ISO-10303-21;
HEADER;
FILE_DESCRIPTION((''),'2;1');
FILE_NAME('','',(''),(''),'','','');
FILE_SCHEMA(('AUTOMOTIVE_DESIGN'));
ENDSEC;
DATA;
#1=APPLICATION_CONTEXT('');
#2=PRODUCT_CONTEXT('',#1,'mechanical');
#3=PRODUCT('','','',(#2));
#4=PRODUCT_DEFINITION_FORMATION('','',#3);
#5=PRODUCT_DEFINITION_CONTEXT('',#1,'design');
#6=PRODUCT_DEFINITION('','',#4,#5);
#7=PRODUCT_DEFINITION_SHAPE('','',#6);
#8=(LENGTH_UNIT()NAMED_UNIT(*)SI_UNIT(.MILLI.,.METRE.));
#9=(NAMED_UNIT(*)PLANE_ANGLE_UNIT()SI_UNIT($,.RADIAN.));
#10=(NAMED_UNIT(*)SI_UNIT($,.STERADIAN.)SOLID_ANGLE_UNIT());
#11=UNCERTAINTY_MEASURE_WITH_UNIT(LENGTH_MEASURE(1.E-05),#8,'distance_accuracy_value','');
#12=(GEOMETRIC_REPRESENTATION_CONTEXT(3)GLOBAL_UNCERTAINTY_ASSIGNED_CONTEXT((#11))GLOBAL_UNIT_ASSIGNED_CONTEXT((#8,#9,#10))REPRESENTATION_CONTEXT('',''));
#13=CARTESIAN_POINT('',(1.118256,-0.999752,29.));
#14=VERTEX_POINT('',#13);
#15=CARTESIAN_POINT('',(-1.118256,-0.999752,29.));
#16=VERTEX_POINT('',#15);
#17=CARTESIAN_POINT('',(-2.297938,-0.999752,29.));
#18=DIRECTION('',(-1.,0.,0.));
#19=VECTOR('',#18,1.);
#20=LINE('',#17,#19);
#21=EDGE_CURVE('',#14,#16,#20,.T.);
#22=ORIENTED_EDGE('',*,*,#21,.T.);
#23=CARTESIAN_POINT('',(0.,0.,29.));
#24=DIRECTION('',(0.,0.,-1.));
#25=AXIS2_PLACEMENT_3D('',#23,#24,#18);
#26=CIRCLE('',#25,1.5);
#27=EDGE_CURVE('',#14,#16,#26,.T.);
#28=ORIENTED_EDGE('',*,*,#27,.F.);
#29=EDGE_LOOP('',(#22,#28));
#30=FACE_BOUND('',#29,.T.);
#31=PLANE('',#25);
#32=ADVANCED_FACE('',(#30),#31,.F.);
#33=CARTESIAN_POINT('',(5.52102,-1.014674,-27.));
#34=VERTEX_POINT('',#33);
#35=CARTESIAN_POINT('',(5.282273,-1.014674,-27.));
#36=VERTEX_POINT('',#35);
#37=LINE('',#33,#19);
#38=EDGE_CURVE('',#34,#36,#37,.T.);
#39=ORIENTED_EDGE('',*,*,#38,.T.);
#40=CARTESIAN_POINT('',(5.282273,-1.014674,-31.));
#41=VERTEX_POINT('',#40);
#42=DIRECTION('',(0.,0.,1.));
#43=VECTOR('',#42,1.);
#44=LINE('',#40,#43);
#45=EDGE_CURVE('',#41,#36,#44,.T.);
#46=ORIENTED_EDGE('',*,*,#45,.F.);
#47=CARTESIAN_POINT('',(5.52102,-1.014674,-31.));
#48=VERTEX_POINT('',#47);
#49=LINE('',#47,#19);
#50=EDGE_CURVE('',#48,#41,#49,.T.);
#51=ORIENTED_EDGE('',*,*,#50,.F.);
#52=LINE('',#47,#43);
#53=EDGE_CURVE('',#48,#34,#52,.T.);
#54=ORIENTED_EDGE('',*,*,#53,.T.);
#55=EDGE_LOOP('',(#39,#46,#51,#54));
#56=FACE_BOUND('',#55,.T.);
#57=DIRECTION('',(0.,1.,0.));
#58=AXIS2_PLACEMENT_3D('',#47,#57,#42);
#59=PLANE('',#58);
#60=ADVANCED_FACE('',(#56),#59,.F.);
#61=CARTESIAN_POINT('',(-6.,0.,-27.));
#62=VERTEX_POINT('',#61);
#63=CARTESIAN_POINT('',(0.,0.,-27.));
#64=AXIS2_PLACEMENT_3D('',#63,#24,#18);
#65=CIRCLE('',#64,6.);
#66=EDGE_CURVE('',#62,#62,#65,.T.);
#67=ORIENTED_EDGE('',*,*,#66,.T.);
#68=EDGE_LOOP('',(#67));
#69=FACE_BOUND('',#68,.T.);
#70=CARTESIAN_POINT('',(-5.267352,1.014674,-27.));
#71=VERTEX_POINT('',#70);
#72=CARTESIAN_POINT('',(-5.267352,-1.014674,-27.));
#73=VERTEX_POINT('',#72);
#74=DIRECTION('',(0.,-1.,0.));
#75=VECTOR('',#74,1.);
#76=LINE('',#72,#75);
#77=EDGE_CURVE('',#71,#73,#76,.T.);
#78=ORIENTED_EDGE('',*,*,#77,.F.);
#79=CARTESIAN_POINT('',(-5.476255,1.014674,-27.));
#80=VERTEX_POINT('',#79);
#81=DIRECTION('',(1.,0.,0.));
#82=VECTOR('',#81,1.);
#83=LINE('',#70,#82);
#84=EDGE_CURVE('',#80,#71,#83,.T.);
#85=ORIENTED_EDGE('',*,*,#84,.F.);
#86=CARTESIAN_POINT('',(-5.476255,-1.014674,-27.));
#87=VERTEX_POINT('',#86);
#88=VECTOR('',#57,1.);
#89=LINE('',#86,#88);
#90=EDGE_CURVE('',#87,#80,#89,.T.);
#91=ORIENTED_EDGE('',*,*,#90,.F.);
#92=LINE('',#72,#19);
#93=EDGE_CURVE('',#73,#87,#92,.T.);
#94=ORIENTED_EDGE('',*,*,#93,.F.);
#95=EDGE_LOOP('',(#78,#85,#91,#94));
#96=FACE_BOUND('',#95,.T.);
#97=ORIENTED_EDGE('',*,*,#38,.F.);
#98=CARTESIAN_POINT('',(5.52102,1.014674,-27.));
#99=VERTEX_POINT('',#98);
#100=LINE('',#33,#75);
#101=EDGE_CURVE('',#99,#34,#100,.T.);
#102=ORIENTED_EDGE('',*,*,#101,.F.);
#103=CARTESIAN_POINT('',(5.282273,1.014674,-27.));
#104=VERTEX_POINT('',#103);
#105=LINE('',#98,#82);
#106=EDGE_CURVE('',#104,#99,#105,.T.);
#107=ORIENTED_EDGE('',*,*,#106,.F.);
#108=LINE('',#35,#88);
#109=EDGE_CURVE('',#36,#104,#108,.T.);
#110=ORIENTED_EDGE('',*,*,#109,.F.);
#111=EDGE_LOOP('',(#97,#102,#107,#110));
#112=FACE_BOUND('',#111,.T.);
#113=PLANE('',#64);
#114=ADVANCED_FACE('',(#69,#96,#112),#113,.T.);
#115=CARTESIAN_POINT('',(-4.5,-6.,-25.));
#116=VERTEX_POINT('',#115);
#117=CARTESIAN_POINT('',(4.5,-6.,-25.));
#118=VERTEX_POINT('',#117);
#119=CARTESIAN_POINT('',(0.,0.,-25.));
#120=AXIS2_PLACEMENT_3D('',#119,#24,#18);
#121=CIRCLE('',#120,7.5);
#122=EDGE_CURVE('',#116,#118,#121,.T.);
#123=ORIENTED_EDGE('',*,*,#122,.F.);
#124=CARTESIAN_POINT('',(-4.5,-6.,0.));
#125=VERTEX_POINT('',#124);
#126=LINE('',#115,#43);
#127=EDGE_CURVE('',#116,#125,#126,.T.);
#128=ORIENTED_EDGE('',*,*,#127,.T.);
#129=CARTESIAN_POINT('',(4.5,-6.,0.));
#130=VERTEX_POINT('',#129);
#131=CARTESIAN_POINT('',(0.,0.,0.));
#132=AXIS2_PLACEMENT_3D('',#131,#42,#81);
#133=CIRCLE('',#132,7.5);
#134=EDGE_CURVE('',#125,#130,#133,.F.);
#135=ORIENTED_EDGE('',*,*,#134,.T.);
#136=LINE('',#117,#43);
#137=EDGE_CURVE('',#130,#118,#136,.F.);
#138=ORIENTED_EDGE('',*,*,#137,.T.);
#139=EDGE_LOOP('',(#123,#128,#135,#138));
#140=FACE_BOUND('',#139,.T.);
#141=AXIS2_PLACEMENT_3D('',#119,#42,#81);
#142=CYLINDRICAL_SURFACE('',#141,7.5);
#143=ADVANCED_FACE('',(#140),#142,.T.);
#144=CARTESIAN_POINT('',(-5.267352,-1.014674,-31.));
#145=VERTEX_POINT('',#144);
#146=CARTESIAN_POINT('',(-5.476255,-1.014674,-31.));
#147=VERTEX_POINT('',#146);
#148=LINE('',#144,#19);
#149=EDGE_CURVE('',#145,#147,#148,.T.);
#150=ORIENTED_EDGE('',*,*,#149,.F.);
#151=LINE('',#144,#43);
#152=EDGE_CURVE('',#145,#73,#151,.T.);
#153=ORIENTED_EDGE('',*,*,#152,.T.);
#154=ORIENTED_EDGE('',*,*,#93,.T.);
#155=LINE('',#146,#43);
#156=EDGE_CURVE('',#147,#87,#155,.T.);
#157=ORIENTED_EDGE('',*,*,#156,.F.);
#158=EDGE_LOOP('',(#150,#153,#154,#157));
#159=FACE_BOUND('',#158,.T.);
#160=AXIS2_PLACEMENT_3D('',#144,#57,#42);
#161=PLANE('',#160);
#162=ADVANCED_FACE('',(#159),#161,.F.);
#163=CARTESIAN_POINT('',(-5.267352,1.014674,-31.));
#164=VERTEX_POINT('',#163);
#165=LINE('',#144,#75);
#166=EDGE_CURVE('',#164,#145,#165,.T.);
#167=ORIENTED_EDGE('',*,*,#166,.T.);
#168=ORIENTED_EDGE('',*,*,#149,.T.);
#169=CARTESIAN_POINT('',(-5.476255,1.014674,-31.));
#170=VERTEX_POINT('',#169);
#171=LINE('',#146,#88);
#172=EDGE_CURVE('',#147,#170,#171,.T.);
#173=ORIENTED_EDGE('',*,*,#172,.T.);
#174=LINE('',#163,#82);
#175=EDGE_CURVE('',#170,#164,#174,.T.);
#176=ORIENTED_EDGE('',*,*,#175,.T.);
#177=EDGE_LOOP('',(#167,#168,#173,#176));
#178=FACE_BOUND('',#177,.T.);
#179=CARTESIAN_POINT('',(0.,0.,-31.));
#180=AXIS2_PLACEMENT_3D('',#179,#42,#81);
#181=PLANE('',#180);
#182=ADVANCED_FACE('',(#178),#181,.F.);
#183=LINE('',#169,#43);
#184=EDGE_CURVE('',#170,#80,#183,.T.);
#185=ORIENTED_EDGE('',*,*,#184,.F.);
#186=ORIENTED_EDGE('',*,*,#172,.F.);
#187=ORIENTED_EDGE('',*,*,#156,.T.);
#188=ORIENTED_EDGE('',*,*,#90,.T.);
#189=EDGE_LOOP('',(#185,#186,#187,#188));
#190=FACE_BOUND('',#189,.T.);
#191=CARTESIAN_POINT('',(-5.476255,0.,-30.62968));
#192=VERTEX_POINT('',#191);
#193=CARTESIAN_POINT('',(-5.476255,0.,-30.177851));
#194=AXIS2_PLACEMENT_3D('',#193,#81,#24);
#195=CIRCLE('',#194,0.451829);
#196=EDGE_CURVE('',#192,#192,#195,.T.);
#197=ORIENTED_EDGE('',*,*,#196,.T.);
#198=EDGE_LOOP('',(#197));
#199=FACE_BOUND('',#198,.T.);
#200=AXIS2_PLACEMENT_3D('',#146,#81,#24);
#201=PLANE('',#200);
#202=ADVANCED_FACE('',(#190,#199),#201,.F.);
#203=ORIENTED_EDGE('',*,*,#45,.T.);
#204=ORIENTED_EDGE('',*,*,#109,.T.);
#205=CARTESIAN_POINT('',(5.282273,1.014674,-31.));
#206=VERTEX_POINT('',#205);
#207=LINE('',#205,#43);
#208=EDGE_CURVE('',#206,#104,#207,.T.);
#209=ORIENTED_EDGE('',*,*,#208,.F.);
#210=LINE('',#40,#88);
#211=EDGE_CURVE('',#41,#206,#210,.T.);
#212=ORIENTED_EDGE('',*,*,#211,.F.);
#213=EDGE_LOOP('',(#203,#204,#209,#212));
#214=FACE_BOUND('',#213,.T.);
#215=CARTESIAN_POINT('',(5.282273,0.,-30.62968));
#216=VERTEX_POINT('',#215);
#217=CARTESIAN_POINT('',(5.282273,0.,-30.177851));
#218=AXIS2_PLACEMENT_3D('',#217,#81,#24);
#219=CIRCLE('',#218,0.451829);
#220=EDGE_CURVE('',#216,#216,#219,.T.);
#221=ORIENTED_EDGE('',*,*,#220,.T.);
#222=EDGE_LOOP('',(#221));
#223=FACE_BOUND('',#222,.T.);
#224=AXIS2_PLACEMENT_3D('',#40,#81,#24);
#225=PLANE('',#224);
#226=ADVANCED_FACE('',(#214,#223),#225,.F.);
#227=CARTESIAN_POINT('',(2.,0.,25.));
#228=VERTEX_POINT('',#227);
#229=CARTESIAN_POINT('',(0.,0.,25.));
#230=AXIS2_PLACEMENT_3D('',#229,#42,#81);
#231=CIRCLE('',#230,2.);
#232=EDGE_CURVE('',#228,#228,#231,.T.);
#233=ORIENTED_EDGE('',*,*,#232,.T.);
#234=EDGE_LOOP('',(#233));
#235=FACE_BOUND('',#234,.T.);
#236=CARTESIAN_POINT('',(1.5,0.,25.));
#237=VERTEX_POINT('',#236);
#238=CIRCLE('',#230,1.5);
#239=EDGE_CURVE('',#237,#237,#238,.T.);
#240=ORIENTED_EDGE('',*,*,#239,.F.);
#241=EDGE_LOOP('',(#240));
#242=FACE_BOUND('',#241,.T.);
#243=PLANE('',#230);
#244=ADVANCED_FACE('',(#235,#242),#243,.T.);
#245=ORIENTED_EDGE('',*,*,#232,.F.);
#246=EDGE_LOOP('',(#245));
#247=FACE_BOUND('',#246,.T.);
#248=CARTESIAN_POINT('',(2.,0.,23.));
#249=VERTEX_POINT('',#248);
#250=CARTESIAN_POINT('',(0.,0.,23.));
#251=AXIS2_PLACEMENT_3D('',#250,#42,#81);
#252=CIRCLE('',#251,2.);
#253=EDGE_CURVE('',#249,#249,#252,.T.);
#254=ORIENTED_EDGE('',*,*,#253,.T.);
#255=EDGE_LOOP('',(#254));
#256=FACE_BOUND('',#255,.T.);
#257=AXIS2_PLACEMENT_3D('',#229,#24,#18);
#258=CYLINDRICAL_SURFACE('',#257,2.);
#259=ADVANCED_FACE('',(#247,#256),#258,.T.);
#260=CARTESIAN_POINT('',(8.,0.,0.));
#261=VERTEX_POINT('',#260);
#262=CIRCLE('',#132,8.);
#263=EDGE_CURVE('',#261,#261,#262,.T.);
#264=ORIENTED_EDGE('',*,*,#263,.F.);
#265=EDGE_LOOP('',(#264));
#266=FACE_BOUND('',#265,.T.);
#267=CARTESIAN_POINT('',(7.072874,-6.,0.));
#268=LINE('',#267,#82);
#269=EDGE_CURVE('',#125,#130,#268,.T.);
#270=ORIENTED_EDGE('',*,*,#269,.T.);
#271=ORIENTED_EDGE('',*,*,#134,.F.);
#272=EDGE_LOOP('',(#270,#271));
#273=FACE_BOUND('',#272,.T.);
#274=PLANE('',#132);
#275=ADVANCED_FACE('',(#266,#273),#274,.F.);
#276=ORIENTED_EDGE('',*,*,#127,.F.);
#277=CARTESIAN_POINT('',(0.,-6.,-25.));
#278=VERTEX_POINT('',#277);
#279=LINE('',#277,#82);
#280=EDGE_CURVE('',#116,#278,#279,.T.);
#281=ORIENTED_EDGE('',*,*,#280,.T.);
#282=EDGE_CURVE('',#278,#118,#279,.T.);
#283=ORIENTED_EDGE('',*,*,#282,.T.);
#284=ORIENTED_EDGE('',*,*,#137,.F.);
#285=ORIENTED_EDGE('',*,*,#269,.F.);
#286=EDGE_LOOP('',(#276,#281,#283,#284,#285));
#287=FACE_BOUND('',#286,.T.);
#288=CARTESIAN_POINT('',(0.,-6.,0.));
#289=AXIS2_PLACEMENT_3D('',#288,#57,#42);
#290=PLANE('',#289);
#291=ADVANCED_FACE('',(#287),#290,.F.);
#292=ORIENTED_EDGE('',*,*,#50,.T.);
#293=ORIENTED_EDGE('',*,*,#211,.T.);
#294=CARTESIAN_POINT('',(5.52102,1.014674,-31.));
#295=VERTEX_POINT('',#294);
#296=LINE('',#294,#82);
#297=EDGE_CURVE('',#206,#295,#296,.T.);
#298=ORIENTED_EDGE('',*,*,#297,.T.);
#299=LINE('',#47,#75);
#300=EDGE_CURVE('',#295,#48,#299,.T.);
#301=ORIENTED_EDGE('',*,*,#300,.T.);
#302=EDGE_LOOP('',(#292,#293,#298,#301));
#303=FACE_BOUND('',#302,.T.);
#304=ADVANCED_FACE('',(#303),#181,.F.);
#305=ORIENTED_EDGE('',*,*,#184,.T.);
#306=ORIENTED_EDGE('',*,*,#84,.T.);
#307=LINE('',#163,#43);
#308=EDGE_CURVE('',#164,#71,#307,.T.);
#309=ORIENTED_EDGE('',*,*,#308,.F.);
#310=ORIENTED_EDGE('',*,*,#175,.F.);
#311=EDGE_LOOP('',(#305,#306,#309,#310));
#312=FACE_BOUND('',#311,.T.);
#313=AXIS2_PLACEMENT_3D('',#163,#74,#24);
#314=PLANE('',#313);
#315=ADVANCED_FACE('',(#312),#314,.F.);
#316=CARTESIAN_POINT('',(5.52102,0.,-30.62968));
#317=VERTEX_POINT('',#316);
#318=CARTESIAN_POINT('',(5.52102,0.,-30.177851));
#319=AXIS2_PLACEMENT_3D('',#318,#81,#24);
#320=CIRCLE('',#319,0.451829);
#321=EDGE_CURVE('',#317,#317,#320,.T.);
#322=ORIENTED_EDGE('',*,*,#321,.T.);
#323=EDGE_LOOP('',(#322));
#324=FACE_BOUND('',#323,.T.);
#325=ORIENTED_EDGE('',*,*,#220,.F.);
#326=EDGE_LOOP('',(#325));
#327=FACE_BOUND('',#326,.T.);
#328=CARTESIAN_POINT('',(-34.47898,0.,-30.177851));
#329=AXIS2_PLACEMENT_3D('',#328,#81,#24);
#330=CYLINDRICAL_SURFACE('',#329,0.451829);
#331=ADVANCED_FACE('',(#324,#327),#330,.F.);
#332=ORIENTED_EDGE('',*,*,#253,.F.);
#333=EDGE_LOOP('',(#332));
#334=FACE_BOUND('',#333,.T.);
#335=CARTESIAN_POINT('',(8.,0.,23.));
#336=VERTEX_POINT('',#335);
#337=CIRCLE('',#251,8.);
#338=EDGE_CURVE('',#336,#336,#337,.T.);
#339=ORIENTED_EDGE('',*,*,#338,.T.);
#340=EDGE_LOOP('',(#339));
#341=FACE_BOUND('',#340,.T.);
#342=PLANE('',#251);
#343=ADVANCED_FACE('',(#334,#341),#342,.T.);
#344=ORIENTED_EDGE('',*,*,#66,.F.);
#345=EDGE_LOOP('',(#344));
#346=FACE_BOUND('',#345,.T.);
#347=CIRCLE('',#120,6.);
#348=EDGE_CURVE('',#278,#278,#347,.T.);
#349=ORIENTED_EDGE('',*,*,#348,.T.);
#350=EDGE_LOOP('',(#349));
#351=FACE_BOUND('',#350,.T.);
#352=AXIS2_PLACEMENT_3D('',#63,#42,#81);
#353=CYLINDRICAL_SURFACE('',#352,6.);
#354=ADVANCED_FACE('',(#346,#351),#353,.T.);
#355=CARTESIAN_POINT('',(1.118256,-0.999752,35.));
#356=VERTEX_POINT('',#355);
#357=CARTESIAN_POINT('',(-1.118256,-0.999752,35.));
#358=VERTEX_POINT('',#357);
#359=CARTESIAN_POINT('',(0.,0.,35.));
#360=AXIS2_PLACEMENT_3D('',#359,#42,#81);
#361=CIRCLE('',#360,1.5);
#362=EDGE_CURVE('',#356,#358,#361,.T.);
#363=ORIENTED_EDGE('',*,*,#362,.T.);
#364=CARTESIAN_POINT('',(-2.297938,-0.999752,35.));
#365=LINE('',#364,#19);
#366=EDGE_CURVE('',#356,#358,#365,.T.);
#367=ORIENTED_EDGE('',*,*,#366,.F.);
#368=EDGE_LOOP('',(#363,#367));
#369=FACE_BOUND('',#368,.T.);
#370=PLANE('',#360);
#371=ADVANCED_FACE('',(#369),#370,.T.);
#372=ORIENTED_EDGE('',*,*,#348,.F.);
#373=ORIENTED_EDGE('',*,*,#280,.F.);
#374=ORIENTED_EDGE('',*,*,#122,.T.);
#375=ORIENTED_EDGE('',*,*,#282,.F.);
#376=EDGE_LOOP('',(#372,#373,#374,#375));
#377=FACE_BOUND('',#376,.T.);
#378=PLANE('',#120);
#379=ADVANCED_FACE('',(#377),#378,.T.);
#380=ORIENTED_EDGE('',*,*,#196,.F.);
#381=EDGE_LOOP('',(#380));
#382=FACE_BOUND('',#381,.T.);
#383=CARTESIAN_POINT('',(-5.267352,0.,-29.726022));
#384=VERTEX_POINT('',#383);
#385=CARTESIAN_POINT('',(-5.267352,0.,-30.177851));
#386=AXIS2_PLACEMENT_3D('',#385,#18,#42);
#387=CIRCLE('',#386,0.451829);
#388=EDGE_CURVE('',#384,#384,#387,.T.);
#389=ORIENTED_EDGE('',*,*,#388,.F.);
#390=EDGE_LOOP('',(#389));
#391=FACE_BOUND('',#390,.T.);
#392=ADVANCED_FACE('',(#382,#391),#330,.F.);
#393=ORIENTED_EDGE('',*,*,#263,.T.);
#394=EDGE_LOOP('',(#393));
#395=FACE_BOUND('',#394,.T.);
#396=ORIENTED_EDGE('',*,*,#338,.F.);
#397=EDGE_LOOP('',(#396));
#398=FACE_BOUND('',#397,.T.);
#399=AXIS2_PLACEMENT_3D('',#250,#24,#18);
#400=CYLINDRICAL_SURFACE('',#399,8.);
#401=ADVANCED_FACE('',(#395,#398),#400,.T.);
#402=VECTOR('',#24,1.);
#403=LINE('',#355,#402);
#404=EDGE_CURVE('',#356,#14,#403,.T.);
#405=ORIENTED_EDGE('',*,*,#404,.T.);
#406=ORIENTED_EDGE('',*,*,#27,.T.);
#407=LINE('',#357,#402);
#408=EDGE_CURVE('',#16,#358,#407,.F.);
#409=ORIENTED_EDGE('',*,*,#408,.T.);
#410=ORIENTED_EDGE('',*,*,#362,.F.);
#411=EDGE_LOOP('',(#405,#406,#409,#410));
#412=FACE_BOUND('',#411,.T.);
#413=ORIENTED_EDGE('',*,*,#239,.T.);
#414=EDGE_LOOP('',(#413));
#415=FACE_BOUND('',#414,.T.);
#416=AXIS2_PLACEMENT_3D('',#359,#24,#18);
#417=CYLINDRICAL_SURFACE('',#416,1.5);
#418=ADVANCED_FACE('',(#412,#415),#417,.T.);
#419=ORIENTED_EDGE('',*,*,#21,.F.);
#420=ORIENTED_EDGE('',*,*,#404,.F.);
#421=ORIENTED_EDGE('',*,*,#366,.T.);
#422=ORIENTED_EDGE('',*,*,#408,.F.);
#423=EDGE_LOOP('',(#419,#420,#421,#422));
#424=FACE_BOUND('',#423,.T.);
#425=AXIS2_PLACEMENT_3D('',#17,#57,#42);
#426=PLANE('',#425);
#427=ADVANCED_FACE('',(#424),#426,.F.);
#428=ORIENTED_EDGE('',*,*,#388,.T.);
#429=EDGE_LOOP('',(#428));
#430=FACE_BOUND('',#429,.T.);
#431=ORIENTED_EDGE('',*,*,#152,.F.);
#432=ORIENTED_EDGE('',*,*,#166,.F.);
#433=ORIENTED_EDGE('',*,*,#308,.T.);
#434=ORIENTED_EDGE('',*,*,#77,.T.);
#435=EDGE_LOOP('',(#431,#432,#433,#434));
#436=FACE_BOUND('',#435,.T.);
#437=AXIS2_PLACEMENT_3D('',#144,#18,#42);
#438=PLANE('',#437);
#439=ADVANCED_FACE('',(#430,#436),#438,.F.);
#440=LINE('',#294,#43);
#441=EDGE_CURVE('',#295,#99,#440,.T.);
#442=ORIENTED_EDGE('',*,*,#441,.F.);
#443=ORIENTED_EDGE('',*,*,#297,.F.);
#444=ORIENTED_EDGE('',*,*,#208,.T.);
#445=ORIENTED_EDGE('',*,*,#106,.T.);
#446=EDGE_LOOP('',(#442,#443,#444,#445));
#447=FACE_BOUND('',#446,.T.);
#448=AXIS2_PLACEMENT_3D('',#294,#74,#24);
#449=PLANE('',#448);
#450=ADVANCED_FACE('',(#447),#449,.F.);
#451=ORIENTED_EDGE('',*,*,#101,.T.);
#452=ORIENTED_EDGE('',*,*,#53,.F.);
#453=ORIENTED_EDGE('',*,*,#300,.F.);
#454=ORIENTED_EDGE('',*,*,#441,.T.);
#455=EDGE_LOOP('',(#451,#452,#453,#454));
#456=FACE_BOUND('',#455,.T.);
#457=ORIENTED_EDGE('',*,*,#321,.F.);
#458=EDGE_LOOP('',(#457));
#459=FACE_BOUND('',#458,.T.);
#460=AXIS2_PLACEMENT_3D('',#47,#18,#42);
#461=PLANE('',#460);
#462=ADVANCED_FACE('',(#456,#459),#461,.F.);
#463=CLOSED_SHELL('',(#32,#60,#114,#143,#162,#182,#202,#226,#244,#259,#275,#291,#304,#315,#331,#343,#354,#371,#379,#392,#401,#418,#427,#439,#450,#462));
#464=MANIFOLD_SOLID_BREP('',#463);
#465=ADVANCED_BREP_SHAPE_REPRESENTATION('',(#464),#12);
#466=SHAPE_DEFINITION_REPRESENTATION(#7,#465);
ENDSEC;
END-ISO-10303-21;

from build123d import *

# Parameters (mm, degrees)
SKETCH_1_R          = 8
EXTRUDE_1_DEPTH     = 23
SKETCH_2_R          = 6
EXTRUDE_2_DEPTH     = 27
SKETCH_3_R          = 1.5
EXTRUDE_3_DEPTH     = 12
SKETCH_4_R          = 2
EXTRUDE_4_DEPTH     = 2
SKETCH_5_R          = 7.5
EXTRUDE_6_DEPTH     = 25
CUT_EXTRUDE_2_DEPTH = 25
SKETCH_7_W          = 0.238746812
SKETCH_7_H          = 2.029347906
SKETCH_7_W_2        = 0.208903461
EXTRUDE_7_DEPTH     = 4
SKETCH_8_R          = 0.451828616
CUT_EXTRUDE_3_DEPTH = 40
SKETCH_9_W          = 4.595876138
SKETCH_9_H          = 0.537180328
CUT_EXTRUDE_4_DEPTH = 6


with BuildPart() as part:
    # 草图1 → 凸台-拉伸1 (new body)
    with BuildSketch(Plane.XY):
        Circle(SKETCH_1_R)
    extrude(amount=EXTRUDE_1_DEPTH)

    # 草图2 → 凸台-拉伸2 (add)
    with BuildSketch(Plane(origin=(0, 0, 0), x_dir=(-1, 0, 0), z_dir=(0, 0, -1))):
        Circle(SKETCH_2_R)
    extrude(amount=EXTRUDE_2_DEPTH)

    # 草图3 → 凸台-拉伸3 (add)
    with BuildSketch(Plane.XY.offset(23)):
        Circle(SKETCH_3_R)
    extrude(amount=EXTRUDE_3_DEPTH)

    # 草图4 → 凸台-拉伸4 (add)
    with BuildSketch(Plane.XY.offset(23)):
        Circle(SKETCH_4_R)
    extrude(amount=EXTRUDE_4_DEPTH)

    # 草图5 → 凸台-拉伸6 (add)
    with BuildSketch(Plane(origin=(0, 0, 0), x_dir=(-1, 0, 0), z_dir=(0, 0, -1))):
        with Locations(Location((0, 0, 0), (0, 0, 180))):
            Circle(SKETCH_5_R)
    extrude(amount=EXTRUDE_6_DEPTH)

    # 草图6 → 切除-拉伸2 (cut)
    with BuildSketch(Plane(origin=(0, 0, -25), x_dir=(-1, 0, 0), z_dir=(0, 0, -1))):
        Polygon((0, -6), (7.251934426, -6), (7.251934426, -9), (-7.072874317, -9), (-7.072874317, -6), align=None)
    extrude(amount=-CUT_EXTRUDE_2_DEPTH, mode=Mode.SUBTRACT)

    # 草图7 → 凸台-拉伸7 (add)
    with BuildSketch(Plane(origin=(0, 0, -27), x_dir=(-1, 0, 0), z_dir=(0, 0, -1))):
        with Locations((-5.40164663, 0)):
            Rectangle(SKETCH_7_W, SKETCH_7_H)
        with Locations((5.371803278, 0)):
            Rectangle(SKETCH_7_W_2, SKETCH_7_H)
    extrude(amount=EXTRUDE_7_DEPTH)

    # 草图8 → 切除-拉伸3 (cut)
    with BuildSketch(Plane(origin=(5.521020036, 0, 0), x_dir=(0, 0, -1), z_dir=(1, 0, 0))):
        with Locations((30.17785099, 0)):
            Circle(SKETCH_8_R)
    extrude(amount=-CUT_EXTRUDE_3_DEPTH, mode=Mode.SUBTRACT)

    # 草图9 → 切除-拉伸4 (cut)
    with BuildSketch(Plane.XY.offset(35)):
        with Locations((0, -1.268342441)):
            Rectangle(SKETCH_9_W, SKETCH_9_H)
    extrude(amount=-CUT_EXTRUDE_4_DEPTH, mode=Mode.SUBTRACT)


solid = part.part
